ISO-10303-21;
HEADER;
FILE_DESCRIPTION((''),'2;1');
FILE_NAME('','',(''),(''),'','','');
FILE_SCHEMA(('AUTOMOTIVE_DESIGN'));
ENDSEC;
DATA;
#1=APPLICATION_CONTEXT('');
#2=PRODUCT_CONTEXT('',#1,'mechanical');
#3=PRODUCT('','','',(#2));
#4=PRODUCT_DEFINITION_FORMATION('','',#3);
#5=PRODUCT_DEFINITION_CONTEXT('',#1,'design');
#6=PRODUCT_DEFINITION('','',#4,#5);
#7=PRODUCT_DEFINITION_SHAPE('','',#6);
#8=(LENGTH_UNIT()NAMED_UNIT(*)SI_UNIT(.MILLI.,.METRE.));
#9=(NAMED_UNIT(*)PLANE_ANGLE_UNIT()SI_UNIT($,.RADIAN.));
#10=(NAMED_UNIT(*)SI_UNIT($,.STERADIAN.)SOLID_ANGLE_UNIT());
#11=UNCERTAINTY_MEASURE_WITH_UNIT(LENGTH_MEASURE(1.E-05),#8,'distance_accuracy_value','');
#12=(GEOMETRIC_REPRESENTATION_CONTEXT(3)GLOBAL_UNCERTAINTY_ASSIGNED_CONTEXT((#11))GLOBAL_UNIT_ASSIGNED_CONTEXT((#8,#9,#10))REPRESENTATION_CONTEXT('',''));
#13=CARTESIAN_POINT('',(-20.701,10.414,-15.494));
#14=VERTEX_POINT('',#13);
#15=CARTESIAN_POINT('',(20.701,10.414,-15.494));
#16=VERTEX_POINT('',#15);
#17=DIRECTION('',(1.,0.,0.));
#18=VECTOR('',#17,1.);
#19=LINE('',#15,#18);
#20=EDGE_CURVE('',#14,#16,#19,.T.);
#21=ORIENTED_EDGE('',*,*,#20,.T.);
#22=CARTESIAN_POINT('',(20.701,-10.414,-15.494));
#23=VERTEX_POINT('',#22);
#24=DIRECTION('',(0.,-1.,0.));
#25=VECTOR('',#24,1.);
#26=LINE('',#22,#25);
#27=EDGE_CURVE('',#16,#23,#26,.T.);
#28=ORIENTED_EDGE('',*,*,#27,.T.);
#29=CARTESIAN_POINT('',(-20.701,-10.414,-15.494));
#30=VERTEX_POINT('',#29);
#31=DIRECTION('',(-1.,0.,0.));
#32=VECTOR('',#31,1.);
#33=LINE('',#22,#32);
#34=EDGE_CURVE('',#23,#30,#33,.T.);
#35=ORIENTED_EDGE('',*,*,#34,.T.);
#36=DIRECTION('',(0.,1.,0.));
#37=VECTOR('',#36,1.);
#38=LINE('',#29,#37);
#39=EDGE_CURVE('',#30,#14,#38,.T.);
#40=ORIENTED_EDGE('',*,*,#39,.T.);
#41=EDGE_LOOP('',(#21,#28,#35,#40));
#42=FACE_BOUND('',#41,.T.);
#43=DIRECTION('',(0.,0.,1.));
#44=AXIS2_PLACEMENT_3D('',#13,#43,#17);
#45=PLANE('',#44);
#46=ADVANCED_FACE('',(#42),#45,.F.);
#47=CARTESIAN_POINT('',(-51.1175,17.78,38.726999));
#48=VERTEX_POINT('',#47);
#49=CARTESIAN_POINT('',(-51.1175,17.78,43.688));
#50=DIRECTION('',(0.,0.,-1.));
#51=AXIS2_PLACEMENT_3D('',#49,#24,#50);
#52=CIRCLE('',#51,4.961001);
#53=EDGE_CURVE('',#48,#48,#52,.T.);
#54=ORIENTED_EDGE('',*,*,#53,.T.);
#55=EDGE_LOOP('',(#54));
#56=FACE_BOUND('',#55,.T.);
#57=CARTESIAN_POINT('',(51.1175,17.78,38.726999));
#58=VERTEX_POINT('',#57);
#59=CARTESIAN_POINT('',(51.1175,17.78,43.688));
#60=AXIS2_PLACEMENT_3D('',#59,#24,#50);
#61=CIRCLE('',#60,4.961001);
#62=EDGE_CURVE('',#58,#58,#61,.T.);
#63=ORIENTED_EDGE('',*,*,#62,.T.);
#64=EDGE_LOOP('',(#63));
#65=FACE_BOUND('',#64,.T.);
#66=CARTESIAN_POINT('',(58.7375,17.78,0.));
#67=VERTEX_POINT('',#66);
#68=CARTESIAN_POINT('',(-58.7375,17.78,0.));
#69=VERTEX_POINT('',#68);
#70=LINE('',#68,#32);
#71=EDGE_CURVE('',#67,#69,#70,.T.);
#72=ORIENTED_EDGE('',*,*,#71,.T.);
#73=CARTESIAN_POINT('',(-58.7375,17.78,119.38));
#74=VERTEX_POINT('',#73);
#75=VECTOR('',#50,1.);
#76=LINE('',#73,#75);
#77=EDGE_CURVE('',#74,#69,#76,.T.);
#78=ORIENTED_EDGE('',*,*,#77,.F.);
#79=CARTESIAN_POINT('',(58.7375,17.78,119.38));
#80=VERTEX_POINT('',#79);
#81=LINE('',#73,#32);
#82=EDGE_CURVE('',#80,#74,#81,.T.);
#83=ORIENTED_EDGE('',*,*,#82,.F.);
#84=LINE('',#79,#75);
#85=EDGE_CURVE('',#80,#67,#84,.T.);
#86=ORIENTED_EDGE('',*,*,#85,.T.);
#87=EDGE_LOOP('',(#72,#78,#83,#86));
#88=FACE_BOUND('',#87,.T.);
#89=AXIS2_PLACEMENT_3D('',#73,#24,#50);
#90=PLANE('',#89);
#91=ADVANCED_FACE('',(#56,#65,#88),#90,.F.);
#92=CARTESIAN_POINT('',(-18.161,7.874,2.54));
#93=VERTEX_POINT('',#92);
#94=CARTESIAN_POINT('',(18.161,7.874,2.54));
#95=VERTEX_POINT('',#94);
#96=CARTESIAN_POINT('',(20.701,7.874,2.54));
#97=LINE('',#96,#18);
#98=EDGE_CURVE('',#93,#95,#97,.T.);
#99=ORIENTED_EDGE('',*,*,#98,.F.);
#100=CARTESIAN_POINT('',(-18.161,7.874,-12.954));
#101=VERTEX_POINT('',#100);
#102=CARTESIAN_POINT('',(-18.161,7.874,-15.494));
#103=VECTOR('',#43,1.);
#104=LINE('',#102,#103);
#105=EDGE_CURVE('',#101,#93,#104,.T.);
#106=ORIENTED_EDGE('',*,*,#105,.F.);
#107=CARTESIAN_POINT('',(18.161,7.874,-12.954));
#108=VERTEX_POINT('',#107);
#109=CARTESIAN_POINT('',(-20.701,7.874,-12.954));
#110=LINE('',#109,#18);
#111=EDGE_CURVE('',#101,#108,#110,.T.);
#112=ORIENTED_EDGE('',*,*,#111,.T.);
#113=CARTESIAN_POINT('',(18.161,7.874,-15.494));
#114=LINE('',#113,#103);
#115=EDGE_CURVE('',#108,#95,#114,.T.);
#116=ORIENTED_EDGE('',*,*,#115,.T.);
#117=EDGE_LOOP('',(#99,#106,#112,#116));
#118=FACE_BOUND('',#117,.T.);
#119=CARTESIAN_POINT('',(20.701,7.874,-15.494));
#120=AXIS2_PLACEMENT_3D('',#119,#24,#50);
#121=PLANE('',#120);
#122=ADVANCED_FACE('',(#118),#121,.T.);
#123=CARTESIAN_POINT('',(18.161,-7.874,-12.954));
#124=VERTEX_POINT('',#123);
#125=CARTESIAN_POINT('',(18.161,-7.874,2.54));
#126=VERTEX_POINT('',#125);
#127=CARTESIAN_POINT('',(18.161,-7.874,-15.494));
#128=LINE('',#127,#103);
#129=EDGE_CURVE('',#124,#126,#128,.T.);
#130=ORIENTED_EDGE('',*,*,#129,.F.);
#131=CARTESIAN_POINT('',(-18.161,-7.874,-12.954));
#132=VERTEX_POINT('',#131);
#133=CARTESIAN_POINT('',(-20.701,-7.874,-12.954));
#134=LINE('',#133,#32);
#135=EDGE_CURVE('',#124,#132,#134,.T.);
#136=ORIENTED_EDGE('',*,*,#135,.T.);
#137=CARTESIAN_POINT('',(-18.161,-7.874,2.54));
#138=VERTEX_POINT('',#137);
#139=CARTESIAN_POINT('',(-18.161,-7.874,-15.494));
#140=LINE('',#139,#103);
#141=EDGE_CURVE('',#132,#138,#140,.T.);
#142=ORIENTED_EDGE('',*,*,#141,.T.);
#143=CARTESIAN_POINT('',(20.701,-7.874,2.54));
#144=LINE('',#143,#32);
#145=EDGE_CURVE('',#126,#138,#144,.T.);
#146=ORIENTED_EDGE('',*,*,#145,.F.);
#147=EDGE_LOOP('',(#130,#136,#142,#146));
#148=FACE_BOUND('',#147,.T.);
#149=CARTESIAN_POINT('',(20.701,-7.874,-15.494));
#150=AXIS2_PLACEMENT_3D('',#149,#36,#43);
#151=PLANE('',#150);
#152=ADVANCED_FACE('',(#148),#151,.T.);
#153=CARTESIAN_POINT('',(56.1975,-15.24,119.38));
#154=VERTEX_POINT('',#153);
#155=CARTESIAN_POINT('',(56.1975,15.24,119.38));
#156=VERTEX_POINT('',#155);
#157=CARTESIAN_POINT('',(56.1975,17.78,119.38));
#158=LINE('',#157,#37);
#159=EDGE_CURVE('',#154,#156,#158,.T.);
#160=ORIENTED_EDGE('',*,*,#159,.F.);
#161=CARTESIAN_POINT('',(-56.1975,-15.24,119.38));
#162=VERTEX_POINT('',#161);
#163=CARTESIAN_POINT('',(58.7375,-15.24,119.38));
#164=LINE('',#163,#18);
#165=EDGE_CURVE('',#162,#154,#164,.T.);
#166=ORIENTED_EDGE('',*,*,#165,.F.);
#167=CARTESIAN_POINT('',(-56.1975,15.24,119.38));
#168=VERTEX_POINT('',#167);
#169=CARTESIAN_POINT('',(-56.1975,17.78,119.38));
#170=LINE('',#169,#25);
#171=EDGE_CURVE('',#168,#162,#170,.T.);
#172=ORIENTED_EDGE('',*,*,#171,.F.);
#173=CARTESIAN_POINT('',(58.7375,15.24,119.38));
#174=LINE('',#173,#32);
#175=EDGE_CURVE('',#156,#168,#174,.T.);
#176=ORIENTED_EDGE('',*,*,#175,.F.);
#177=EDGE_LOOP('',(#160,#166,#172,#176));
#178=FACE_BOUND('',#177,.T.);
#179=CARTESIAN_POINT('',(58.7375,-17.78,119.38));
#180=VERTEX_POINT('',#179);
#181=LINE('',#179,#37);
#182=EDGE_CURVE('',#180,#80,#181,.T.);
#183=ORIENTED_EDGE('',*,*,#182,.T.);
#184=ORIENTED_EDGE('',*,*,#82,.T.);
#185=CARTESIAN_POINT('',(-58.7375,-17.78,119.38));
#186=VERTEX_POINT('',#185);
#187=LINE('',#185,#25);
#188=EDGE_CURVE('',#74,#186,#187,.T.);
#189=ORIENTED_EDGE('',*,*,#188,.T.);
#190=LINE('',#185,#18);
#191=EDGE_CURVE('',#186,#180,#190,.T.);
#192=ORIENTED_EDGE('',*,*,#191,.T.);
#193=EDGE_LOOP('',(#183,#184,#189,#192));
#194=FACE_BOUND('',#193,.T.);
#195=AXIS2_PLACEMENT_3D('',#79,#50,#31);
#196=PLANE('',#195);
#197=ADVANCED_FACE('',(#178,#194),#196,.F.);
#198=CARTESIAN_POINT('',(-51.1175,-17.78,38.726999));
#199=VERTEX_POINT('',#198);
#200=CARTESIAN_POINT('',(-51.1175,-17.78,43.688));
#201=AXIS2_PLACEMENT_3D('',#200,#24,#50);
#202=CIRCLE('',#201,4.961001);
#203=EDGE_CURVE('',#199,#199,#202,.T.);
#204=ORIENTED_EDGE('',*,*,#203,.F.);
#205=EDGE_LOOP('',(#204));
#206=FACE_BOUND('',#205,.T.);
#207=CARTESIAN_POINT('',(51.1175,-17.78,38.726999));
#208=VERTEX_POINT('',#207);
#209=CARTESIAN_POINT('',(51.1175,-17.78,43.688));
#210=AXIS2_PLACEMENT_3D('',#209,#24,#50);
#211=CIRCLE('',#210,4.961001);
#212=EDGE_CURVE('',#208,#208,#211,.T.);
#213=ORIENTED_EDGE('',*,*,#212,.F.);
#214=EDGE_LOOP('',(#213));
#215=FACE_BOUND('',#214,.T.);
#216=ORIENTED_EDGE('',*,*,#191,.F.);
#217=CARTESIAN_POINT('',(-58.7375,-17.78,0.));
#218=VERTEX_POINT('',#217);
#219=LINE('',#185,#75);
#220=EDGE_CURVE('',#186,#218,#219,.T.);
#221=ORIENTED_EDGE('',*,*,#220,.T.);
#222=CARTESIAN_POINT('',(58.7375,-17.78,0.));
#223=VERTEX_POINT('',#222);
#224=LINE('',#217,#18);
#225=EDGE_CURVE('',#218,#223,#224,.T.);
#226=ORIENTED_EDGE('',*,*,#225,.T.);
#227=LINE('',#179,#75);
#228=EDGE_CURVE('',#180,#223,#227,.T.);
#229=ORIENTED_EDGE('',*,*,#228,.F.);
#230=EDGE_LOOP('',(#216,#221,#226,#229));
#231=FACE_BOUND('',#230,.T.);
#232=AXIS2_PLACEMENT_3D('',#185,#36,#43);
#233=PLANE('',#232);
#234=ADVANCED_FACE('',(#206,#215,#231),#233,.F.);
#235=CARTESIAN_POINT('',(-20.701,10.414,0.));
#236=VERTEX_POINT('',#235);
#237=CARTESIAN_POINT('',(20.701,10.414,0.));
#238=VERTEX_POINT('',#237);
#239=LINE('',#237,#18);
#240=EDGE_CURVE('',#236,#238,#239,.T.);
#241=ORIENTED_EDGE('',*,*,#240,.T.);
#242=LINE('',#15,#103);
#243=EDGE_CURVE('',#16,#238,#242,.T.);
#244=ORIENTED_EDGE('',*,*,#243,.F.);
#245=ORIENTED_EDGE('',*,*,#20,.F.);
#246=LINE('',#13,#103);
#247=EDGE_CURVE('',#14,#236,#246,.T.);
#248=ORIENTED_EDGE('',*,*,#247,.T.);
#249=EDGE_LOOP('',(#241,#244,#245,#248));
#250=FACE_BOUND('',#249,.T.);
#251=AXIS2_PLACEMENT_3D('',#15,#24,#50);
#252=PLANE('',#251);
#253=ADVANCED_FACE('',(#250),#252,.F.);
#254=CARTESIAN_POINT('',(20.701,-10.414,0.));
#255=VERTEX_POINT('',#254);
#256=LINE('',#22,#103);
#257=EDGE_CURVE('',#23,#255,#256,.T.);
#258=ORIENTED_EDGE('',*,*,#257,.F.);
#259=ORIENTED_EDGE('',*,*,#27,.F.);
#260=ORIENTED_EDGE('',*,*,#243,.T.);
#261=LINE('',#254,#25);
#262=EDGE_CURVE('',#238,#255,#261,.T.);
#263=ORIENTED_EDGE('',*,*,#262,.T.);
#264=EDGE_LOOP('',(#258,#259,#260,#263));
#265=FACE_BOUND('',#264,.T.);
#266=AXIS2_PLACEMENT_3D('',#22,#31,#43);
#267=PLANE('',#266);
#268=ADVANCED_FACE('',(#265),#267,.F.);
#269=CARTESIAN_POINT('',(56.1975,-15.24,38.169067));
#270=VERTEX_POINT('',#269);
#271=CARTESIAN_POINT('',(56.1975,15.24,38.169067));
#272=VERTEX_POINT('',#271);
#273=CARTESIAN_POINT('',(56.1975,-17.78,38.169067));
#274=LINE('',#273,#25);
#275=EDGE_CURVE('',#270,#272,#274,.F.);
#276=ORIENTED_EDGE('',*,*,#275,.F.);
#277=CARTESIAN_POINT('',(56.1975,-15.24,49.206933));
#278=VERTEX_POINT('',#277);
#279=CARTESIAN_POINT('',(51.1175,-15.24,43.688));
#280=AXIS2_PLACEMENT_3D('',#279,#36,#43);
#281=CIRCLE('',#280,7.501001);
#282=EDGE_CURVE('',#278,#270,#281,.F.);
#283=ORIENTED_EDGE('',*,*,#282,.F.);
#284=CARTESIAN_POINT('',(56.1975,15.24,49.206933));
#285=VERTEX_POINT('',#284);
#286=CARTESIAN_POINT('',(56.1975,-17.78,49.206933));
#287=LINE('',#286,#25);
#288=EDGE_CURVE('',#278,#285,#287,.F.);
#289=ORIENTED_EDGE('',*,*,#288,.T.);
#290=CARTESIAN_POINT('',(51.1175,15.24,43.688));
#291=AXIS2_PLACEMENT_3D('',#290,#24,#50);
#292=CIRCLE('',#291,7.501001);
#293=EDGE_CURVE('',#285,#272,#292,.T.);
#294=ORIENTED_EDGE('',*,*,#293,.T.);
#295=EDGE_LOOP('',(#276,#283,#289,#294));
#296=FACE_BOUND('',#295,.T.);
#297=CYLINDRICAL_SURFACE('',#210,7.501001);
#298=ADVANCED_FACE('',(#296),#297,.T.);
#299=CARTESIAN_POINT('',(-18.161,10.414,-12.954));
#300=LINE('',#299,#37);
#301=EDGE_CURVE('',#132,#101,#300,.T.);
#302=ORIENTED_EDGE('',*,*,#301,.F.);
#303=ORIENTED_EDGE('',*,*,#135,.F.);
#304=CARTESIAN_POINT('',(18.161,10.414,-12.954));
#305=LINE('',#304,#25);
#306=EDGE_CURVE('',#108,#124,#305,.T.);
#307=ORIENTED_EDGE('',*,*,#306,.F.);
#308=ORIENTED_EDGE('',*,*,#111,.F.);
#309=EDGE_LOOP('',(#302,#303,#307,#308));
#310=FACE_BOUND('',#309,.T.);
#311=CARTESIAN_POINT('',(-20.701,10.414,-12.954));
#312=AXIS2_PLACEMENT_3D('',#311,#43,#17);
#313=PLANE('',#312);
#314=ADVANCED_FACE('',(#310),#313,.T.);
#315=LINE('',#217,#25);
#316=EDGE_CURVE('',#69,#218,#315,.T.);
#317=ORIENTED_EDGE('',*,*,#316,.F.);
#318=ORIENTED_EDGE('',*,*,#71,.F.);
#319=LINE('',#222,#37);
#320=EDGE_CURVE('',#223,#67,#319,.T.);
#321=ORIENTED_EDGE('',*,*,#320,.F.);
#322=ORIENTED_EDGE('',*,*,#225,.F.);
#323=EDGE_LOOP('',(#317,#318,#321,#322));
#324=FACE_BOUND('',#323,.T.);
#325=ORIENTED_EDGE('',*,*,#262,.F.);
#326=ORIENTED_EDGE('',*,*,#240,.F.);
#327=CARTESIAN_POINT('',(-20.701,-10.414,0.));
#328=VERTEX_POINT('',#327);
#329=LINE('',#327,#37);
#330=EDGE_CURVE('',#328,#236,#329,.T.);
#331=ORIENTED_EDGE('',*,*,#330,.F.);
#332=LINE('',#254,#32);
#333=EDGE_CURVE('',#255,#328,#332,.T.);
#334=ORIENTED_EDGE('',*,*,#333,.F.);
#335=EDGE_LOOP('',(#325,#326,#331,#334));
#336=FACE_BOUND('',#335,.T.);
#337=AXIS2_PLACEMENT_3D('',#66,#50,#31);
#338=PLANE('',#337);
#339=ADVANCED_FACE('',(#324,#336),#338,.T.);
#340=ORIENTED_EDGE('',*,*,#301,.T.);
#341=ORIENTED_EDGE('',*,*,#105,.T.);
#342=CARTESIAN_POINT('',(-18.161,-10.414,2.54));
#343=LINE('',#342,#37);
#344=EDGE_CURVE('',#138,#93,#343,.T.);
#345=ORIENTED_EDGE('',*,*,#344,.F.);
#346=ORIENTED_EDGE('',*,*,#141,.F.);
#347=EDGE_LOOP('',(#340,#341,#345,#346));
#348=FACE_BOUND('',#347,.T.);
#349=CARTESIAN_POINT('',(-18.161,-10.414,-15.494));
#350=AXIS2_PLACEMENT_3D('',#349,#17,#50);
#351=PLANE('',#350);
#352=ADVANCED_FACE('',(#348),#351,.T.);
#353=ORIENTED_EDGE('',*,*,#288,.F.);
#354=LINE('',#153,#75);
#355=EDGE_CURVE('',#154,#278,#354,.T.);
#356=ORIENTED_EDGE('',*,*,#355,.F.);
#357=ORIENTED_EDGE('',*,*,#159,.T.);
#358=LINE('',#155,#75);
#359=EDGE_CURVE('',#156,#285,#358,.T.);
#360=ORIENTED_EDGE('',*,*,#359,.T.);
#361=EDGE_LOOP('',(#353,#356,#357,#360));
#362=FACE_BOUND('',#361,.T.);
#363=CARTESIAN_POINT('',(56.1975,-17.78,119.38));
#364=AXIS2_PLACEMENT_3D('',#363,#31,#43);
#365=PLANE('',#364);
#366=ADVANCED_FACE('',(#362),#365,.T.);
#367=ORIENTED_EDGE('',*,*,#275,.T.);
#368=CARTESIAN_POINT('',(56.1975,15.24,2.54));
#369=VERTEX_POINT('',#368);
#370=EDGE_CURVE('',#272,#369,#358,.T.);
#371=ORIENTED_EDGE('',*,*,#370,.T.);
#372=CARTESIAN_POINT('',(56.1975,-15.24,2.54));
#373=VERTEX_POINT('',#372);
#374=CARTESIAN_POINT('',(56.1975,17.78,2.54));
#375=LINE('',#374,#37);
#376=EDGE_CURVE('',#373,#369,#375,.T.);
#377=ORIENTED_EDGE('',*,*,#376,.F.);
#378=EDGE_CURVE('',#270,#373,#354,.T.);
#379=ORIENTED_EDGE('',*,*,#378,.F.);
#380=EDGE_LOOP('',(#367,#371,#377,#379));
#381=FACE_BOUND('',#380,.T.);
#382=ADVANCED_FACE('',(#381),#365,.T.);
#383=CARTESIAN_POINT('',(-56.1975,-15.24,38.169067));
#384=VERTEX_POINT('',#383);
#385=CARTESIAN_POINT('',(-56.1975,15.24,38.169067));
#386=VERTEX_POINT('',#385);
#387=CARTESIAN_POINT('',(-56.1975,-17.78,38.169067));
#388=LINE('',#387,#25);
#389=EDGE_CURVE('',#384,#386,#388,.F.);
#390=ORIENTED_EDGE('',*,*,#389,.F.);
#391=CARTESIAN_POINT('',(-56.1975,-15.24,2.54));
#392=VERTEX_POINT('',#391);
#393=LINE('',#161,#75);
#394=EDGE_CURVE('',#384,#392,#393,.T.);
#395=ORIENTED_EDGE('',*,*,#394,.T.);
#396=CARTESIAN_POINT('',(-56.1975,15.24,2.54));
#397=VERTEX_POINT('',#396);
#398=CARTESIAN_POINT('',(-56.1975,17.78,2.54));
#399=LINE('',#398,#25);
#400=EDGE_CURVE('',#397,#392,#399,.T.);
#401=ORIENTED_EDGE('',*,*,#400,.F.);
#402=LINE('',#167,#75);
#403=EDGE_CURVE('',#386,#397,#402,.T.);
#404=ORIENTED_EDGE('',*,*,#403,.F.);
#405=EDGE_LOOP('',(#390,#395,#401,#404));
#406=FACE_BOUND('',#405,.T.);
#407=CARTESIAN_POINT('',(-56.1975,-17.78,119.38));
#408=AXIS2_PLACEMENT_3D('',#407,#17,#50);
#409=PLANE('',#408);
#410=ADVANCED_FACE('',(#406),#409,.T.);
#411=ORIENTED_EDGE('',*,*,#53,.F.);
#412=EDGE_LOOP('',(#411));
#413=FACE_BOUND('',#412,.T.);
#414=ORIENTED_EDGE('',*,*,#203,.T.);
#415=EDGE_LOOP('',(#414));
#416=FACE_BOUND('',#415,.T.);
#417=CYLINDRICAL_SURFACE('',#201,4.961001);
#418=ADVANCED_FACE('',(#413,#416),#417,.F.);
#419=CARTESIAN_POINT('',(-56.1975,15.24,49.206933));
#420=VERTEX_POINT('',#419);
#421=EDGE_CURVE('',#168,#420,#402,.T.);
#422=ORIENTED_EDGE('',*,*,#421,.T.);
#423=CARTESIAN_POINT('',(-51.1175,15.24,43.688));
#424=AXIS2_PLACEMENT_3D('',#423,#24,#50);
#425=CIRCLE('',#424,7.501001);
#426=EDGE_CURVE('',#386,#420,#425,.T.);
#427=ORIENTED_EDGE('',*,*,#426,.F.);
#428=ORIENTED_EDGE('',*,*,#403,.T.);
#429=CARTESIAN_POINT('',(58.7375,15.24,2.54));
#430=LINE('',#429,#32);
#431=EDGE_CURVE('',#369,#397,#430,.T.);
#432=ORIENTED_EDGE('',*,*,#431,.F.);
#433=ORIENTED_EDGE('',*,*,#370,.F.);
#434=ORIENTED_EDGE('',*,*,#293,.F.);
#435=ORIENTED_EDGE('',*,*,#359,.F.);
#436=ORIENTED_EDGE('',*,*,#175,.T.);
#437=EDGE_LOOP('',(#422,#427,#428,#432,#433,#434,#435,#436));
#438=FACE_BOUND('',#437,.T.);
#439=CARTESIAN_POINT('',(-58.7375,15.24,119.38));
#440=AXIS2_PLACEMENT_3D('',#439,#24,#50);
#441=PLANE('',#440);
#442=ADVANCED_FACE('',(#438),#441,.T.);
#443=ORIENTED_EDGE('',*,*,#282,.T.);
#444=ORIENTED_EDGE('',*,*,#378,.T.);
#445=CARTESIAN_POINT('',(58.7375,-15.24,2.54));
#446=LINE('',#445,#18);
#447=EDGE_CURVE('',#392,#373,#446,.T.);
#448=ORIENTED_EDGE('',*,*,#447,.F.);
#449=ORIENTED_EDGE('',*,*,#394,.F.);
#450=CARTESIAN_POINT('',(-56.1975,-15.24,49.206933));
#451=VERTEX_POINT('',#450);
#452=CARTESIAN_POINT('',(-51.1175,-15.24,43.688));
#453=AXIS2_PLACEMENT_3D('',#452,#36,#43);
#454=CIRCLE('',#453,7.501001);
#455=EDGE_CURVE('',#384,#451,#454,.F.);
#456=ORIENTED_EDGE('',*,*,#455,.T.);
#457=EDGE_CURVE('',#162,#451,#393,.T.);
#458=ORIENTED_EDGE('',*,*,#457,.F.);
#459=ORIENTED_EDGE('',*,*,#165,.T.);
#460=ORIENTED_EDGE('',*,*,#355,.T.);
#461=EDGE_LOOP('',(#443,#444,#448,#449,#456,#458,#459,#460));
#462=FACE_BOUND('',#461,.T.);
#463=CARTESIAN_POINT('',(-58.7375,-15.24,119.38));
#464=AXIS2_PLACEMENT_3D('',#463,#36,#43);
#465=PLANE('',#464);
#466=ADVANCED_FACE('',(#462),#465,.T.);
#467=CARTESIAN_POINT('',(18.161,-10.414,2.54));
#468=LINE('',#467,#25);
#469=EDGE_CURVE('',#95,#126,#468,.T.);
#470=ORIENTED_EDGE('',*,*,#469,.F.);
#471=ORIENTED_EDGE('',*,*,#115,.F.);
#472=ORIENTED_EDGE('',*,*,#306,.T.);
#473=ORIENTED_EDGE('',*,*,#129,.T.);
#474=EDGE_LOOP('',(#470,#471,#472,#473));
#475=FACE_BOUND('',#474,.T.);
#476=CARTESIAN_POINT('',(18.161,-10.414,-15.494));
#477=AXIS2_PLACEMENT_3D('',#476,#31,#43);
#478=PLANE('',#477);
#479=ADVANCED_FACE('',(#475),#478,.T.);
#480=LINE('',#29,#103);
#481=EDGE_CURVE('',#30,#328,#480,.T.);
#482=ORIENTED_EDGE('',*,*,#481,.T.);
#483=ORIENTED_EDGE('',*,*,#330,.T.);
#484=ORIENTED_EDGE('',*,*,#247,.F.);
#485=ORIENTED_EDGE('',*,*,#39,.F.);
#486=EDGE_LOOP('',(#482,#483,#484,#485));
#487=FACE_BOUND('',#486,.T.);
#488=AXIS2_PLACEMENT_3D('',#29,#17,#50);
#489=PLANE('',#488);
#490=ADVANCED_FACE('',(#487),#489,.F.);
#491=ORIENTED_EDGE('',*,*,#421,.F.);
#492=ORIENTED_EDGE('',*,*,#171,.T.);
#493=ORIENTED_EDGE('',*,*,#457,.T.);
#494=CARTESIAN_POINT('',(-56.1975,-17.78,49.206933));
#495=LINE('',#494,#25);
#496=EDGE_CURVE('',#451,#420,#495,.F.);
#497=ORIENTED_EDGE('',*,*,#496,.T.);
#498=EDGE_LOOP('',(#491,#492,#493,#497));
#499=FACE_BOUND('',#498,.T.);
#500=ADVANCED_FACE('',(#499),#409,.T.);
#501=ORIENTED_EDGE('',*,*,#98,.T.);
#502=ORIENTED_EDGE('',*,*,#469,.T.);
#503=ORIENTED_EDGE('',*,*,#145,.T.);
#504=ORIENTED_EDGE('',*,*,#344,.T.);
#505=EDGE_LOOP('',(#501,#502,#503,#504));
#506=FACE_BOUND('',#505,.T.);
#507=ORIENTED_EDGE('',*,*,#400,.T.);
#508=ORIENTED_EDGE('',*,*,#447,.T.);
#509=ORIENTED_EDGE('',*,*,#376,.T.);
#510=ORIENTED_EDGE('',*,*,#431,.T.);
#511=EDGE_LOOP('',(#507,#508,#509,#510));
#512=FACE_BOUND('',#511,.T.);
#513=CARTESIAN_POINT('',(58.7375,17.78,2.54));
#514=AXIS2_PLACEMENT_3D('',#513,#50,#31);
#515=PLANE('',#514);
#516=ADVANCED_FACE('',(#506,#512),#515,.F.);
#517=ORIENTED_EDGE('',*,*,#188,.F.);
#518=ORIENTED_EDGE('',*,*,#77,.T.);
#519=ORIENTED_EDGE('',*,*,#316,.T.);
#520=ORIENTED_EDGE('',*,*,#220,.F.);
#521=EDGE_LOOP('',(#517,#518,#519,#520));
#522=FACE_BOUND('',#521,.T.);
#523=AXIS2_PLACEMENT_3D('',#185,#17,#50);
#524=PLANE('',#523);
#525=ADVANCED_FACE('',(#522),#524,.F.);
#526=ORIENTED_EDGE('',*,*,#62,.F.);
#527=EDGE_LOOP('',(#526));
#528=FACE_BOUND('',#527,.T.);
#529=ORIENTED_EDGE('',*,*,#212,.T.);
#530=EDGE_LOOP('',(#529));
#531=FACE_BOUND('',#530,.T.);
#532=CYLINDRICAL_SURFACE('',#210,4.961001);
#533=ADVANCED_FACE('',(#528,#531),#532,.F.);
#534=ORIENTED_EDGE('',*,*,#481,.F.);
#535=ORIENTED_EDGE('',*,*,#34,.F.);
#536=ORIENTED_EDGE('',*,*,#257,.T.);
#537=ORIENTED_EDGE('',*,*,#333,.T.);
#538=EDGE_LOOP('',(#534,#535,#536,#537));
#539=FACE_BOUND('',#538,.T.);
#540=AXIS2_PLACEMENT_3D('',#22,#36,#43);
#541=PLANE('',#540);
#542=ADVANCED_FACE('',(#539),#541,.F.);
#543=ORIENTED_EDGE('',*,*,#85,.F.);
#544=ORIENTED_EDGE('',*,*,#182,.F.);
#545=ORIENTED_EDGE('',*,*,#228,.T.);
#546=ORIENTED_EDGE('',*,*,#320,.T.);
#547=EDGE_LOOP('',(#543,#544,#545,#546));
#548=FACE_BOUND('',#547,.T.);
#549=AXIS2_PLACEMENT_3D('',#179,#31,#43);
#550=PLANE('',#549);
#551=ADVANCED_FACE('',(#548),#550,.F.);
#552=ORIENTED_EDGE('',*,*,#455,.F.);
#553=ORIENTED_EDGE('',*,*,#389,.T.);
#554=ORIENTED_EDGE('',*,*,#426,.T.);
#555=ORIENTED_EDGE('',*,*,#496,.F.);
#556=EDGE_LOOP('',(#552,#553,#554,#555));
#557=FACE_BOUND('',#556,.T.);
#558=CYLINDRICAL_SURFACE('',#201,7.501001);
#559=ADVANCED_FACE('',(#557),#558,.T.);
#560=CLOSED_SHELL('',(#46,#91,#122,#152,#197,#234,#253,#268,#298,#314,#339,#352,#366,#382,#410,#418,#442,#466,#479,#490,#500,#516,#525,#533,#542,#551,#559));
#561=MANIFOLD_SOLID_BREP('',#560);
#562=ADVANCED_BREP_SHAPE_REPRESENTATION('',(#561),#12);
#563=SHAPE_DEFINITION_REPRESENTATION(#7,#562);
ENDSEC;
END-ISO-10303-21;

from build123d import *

# Parameters (mm, degrees)
SKETCH1_W                        = 117.475
SKETCH1_H                        = 35.56
EXTRUDE1_DEPTH                   = 119.38
SKETCH2_W                        = 41.402
SKETCH2_H                        = 20.828
EXTRUDE2_DEPTH                   = 15.494
F_25_64_0_39063_DIAMETER_HOLE1_D = 9.922002
SHELL1_T                         = -2.54


with BuildPart() as part:
    # Sketch1 → Extrude1 (new body)
    with BuildSketch(Plane.XY):
        Rectangle(SKETCH1_W, SKETCH1_H)
    extrude(amount=EXTRUDE1_DEPTH)

    # Sketch2 → Extrude2 (add)
    with BuildSketch(Plane(origin=(0, 0, 0), x_dir=(-1, 0, 0), z_dir=(0, 0, -1))):
        Rectangle(SKETCH2_W, SKETCH2_H)
    extrude(amount=EXTRUDE2_DEPTH)

    # 25/64 (0.39063) Diameter Hole1 (through all)
    with Locations(Plane(origin=(-51.1175, -17.78, 43.688), x_dir=(0, 0, -1), z_dir=(0, -1, 0))):
        with Locations((0, 0), (0, 102.235)):
            Hole(F_25_64_0_39063_DIAMETER_HOLE1_D / 2)

    # Shell1
    shell1_openings = [part.faces().sort_by_distance(p)[0] for p in [
        (0, 0, 119.38),
    ]]
    offset(amount=SHELL1_T, openings=shell1_openings, kind=Kind.INTERSECTION)


solid = part.part
